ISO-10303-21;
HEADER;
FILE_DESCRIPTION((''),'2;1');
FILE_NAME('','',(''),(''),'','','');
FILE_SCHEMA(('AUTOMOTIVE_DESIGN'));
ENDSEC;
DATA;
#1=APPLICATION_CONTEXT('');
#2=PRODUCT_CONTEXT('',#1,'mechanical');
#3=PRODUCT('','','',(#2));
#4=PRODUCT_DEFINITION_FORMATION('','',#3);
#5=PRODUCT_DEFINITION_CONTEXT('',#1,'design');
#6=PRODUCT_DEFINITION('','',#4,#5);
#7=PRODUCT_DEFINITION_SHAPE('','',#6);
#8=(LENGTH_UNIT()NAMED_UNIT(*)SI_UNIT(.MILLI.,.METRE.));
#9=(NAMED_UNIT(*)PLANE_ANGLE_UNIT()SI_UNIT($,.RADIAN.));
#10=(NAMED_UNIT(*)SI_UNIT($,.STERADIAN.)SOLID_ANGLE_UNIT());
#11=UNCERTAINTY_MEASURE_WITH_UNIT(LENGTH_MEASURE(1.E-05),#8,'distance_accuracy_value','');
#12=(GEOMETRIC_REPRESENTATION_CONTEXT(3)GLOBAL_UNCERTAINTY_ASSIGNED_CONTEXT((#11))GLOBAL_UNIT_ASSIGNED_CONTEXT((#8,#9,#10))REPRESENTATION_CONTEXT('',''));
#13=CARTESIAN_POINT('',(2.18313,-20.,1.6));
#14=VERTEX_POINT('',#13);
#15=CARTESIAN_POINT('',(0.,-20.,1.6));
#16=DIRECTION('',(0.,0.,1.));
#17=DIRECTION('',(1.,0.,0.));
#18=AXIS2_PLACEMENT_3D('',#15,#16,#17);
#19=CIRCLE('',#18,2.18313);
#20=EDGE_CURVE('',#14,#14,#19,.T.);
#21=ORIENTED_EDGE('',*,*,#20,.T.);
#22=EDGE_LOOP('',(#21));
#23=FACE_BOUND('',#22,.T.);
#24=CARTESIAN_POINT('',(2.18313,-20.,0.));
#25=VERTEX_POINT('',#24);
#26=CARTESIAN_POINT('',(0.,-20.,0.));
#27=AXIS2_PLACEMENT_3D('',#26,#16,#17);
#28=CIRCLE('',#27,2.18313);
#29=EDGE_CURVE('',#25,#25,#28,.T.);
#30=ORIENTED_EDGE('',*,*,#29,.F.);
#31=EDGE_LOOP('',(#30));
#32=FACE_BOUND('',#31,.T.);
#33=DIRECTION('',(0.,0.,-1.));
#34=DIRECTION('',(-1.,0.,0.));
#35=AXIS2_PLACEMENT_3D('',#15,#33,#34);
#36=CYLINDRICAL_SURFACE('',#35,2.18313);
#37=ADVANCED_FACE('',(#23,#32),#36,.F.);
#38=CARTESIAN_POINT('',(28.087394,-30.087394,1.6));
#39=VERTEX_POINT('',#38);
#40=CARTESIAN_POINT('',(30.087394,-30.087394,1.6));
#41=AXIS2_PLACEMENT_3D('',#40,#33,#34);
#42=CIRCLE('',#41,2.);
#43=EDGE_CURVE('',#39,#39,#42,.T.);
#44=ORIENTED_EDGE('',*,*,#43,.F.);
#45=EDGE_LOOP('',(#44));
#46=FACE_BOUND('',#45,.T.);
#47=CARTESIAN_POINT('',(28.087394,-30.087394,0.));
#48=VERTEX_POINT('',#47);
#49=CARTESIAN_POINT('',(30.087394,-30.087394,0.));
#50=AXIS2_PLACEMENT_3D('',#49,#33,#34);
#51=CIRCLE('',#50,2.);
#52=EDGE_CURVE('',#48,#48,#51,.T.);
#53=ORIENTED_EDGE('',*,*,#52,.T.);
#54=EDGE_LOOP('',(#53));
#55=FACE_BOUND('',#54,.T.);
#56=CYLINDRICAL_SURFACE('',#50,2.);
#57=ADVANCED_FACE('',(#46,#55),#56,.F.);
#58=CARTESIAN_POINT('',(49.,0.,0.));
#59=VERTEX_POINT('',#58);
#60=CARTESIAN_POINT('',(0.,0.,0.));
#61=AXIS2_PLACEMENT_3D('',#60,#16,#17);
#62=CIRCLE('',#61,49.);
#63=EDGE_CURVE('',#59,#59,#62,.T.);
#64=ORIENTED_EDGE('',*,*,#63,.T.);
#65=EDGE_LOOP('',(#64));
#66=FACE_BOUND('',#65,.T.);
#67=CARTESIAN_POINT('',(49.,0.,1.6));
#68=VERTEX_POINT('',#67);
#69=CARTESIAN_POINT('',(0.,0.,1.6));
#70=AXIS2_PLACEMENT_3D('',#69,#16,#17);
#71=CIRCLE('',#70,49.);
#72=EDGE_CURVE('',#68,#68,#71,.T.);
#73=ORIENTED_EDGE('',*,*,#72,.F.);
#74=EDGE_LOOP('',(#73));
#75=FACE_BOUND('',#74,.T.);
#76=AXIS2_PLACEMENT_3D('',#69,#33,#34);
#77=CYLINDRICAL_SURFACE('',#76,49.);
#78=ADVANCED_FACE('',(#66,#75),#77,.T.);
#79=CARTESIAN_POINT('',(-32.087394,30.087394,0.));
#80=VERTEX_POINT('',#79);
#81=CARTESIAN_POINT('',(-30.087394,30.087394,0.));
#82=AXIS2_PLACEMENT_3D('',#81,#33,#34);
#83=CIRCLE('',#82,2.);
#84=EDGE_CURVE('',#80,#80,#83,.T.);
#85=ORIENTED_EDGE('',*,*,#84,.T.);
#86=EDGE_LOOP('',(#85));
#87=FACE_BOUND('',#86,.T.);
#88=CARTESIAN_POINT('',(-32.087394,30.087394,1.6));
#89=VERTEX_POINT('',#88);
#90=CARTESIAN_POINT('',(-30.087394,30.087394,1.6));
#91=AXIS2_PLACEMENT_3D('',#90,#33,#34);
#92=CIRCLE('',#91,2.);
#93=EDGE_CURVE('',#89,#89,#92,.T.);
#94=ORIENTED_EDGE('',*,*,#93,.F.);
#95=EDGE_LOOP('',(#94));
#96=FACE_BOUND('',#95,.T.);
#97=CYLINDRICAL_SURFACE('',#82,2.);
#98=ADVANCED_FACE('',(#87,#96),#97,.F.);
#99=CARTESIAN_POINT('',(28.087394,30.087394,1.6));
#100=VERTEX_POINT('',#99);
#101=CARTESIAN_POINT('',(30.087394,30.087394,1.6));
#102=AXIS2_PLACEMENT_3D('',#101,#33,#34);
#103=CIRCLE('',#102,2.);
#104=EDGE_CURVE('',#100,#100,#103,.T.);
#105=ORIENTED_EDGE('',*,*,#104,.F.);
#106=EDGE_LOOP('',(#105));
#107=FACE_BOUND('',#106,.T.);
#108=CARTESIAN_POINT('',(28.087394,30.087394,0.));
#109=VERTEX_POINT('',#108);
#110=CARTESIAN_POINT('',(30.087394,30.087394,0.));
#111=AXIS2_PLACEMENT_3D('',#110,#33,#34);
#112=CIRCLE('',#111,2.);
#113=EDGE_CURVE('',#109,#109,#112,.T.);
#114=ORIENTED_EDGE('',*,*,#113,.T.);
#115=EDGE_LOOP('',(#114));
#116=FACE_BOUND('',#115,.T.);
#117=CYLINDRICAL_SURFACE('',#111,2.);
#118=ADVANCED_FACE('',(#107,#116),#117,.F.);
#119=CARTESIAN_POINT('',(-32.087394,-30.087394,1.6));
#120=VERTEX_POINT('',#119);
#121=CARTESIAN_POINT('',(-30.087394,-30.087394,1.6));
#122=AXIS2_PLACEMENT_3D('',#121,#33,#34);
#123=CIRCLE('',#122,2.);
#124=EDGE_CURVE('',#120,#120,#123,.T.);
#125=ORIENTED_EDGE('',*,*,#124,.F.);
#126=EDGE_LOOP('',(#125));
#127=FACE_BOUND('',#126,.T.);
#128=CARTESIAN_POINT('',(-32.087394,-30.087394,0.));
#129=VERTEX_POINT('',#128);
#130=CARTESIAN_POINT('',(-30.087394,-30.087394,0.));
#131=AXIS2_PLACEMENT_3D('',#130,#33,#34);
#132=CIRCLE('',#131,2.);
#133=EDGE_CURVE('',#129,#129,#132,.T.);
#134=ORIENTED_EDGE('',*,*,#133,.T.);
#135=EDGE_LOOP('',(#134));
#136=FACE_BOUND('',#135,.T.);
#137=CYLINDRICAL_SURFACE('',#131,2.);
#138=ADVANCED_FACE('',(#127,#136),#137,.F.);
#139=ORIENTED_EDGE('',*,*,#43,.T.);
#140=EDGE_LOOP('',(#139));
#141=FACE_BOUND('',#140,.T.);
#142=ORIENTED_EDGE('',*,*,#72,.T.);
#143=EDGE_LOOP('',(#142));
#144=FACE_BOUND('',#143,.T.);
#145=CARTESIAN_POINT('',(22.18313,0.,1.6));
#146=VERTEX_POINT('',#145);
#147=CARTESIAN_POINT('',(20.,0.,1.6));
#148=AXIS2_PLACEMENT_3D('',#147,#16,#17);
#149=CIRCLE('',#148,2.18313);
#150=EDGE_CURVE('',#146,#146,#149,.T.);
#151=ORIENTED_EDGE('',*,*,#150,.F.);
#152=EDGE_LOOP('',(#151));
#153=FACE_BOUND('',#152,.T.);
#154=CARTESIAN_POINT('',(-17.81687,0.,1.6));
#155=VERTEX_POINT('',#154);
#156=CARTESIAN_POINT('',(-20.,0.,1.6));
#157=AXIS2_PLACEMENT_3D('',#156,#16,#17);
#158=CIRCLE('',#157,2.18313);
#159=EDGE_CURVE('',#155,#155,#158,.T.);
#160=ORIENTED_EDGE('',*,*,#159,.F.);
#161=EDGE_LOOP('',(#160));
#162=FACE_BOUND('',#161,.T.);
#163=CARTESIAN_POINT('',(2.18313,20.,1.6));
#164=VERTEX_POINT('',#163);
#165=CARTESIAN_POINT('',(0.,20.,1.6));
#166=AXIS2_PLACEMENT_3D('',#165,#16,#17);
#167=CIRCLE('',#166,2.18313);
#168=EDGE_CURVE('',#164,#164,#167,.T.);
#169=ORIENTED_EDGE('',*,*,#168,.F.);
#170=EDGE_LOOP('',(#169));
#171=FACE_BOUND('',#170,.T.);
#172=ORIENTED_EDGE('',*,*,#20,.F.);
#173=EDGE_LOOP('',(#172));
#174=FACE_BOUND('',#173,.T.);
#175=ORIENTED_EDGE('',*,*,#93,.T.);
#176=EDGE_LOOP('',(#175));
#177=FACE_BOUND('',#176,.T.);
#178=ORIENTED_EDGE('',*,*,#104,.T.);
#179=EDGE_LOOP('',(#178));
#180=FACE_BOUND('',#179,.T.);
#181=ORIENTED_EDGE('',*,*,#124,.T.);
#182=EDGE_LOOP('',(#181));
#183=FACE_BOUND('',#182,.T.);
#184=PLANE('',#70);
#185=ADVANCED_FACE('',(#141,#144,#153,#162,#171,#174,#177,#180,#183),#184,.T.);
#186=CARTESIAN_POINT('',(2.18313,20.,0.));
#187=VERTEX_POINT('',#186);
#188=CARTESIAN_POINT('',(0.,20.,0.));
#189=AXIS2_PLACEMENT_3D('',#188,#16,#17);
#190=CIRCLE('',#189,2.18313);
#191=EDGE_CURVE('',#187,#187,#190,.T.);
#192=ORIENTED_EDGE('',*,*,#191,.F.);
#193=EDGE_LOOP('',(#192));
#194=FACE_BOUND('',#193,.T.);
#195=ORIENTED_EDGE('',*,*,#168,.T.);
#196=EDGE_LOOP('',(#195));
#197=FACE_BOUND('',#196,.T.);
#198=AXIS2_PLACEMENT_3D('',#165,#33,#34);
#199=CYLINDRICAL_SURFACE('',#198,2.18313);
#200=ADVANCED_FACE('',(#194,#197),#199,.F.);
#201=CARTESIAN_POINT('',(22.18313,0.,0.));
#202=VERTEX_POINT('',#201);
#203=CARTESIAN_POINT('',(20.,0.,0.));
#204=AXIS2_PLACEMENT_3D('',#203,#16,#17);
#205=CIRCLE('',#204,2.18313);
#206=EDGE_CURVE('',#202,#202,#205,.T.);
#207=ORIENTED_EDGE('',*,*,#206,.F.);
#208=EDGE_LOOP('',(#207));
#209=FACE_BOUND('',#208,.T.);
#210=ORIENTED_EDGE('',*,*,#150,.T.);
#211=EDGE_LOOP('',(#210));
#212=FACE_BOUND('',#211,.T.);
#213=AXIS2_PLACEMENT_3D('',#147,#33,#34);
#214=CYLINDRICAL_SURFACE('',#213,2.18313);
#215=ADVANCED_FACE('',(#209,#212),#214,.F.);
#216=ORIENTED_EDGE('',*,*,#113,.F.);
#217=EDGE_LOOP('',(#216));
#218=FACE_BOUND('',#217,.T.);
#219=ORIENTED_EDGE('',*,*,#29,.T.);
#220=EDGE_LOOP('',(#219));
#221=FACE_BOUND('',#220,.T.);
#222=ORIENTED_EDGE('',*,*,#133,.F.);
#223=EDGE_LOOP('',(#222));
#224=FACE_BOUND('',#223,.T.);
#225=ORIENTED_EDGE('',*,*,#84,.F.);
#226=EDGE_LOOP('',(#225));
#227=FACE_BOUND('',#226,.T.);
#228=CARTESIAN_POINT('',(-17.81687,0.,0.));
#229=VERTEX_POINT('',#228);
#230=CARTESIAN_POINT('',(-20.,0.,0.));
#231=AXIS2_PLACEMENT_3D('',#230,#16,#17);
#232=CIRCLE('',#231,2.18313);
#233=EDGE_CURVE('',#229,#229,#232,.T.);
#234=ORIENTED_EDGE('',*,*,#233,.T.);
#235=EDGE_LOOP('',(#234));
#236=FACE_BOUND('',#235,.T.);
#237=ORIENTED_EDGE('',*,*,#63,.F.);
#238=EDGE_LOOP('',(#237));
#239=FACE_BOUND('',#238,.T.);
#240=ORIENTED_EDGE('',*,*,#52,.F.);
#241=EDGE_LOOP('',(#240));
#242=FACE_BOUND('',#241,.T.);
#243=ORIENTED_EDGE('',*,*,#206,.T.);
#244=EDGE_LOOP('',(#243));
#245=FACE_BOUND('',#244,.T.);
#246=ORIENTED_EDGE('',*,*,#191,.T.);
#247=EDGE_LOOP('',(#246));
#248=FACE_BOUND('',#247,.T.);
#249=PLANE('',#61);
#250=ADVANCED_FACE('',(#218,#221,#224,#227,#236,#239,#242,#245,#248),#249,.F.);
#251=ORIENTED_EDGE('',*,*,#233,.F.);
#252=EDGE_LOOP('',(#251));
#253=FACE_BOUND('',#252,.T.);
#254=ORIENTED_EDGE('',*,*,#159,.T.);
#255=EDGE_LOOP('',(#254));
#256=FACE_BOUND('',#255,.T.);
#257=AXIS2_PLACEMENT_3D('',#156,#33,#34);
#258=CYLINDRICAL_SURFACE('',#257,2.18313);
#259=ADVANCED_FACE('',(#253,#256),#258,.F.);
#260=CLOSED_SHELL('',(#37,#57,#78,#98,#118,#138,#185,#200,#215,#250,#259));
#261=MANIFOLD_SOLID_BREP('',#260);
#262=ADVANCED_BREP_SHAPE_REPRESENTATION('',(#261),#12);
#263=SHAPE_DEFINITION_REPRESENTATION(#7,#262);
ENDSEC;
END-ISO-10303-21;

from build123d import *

# Parameters (mm, degrees)
SKETCH3_R                       = 49
BOSS_EXTRUDE1_DEPTH             = 1.6
F_4_0MM_CLEARANCE_DOWEL_HOLE1_D = 4
SKETCH7_R                       = 2.183129746
CUT_EXTRUDE1_DEPTH              = 70.314933456


with BuildPart() as part:
    # Sketch3 → Boss-Extrude1 (new body)
    with BuildSketch(Plane.XY):
        Circle(SKETCH3_R)
    extrude(amount=BOSS_EXTRUDE1_DEPTH)

    # Ø4.0mm Clearance Dowel Hole1 (through all)
    with Locations(Plane(origin=(0, 0, 0), x_dir=(1, 0, 0), z_dir=(0, 0, -1))):
        with Locations((-30.087393539, -30.08739354), (30.087393539, -30.08739354), (30.087393539, 30.087393539), (-30.08739354, 30.087393539)):
            Hole(F_4_0MM_CLEARANCE_DOWEL_HOLE1_D / 2)

    # Sketch7 → Cut-Extrude1 (cut, through all)
    with BuildSketch(Plane.XY):
        with Locations((0, 20)):
            Circle(SKETCH7_R)
        with Locations((20, 0)):
            Circle(SKETCH7_R)
        with Locations((0, -20)):
            Circle(SKETCH7_R)
        with Locations((-20, 0)):
            Circle(SKETCH7_R)
    extrude(amount=CUT_EXTRUDE1_DEPTH, mode=Mode.SUBTRACT)


solid = part.part
